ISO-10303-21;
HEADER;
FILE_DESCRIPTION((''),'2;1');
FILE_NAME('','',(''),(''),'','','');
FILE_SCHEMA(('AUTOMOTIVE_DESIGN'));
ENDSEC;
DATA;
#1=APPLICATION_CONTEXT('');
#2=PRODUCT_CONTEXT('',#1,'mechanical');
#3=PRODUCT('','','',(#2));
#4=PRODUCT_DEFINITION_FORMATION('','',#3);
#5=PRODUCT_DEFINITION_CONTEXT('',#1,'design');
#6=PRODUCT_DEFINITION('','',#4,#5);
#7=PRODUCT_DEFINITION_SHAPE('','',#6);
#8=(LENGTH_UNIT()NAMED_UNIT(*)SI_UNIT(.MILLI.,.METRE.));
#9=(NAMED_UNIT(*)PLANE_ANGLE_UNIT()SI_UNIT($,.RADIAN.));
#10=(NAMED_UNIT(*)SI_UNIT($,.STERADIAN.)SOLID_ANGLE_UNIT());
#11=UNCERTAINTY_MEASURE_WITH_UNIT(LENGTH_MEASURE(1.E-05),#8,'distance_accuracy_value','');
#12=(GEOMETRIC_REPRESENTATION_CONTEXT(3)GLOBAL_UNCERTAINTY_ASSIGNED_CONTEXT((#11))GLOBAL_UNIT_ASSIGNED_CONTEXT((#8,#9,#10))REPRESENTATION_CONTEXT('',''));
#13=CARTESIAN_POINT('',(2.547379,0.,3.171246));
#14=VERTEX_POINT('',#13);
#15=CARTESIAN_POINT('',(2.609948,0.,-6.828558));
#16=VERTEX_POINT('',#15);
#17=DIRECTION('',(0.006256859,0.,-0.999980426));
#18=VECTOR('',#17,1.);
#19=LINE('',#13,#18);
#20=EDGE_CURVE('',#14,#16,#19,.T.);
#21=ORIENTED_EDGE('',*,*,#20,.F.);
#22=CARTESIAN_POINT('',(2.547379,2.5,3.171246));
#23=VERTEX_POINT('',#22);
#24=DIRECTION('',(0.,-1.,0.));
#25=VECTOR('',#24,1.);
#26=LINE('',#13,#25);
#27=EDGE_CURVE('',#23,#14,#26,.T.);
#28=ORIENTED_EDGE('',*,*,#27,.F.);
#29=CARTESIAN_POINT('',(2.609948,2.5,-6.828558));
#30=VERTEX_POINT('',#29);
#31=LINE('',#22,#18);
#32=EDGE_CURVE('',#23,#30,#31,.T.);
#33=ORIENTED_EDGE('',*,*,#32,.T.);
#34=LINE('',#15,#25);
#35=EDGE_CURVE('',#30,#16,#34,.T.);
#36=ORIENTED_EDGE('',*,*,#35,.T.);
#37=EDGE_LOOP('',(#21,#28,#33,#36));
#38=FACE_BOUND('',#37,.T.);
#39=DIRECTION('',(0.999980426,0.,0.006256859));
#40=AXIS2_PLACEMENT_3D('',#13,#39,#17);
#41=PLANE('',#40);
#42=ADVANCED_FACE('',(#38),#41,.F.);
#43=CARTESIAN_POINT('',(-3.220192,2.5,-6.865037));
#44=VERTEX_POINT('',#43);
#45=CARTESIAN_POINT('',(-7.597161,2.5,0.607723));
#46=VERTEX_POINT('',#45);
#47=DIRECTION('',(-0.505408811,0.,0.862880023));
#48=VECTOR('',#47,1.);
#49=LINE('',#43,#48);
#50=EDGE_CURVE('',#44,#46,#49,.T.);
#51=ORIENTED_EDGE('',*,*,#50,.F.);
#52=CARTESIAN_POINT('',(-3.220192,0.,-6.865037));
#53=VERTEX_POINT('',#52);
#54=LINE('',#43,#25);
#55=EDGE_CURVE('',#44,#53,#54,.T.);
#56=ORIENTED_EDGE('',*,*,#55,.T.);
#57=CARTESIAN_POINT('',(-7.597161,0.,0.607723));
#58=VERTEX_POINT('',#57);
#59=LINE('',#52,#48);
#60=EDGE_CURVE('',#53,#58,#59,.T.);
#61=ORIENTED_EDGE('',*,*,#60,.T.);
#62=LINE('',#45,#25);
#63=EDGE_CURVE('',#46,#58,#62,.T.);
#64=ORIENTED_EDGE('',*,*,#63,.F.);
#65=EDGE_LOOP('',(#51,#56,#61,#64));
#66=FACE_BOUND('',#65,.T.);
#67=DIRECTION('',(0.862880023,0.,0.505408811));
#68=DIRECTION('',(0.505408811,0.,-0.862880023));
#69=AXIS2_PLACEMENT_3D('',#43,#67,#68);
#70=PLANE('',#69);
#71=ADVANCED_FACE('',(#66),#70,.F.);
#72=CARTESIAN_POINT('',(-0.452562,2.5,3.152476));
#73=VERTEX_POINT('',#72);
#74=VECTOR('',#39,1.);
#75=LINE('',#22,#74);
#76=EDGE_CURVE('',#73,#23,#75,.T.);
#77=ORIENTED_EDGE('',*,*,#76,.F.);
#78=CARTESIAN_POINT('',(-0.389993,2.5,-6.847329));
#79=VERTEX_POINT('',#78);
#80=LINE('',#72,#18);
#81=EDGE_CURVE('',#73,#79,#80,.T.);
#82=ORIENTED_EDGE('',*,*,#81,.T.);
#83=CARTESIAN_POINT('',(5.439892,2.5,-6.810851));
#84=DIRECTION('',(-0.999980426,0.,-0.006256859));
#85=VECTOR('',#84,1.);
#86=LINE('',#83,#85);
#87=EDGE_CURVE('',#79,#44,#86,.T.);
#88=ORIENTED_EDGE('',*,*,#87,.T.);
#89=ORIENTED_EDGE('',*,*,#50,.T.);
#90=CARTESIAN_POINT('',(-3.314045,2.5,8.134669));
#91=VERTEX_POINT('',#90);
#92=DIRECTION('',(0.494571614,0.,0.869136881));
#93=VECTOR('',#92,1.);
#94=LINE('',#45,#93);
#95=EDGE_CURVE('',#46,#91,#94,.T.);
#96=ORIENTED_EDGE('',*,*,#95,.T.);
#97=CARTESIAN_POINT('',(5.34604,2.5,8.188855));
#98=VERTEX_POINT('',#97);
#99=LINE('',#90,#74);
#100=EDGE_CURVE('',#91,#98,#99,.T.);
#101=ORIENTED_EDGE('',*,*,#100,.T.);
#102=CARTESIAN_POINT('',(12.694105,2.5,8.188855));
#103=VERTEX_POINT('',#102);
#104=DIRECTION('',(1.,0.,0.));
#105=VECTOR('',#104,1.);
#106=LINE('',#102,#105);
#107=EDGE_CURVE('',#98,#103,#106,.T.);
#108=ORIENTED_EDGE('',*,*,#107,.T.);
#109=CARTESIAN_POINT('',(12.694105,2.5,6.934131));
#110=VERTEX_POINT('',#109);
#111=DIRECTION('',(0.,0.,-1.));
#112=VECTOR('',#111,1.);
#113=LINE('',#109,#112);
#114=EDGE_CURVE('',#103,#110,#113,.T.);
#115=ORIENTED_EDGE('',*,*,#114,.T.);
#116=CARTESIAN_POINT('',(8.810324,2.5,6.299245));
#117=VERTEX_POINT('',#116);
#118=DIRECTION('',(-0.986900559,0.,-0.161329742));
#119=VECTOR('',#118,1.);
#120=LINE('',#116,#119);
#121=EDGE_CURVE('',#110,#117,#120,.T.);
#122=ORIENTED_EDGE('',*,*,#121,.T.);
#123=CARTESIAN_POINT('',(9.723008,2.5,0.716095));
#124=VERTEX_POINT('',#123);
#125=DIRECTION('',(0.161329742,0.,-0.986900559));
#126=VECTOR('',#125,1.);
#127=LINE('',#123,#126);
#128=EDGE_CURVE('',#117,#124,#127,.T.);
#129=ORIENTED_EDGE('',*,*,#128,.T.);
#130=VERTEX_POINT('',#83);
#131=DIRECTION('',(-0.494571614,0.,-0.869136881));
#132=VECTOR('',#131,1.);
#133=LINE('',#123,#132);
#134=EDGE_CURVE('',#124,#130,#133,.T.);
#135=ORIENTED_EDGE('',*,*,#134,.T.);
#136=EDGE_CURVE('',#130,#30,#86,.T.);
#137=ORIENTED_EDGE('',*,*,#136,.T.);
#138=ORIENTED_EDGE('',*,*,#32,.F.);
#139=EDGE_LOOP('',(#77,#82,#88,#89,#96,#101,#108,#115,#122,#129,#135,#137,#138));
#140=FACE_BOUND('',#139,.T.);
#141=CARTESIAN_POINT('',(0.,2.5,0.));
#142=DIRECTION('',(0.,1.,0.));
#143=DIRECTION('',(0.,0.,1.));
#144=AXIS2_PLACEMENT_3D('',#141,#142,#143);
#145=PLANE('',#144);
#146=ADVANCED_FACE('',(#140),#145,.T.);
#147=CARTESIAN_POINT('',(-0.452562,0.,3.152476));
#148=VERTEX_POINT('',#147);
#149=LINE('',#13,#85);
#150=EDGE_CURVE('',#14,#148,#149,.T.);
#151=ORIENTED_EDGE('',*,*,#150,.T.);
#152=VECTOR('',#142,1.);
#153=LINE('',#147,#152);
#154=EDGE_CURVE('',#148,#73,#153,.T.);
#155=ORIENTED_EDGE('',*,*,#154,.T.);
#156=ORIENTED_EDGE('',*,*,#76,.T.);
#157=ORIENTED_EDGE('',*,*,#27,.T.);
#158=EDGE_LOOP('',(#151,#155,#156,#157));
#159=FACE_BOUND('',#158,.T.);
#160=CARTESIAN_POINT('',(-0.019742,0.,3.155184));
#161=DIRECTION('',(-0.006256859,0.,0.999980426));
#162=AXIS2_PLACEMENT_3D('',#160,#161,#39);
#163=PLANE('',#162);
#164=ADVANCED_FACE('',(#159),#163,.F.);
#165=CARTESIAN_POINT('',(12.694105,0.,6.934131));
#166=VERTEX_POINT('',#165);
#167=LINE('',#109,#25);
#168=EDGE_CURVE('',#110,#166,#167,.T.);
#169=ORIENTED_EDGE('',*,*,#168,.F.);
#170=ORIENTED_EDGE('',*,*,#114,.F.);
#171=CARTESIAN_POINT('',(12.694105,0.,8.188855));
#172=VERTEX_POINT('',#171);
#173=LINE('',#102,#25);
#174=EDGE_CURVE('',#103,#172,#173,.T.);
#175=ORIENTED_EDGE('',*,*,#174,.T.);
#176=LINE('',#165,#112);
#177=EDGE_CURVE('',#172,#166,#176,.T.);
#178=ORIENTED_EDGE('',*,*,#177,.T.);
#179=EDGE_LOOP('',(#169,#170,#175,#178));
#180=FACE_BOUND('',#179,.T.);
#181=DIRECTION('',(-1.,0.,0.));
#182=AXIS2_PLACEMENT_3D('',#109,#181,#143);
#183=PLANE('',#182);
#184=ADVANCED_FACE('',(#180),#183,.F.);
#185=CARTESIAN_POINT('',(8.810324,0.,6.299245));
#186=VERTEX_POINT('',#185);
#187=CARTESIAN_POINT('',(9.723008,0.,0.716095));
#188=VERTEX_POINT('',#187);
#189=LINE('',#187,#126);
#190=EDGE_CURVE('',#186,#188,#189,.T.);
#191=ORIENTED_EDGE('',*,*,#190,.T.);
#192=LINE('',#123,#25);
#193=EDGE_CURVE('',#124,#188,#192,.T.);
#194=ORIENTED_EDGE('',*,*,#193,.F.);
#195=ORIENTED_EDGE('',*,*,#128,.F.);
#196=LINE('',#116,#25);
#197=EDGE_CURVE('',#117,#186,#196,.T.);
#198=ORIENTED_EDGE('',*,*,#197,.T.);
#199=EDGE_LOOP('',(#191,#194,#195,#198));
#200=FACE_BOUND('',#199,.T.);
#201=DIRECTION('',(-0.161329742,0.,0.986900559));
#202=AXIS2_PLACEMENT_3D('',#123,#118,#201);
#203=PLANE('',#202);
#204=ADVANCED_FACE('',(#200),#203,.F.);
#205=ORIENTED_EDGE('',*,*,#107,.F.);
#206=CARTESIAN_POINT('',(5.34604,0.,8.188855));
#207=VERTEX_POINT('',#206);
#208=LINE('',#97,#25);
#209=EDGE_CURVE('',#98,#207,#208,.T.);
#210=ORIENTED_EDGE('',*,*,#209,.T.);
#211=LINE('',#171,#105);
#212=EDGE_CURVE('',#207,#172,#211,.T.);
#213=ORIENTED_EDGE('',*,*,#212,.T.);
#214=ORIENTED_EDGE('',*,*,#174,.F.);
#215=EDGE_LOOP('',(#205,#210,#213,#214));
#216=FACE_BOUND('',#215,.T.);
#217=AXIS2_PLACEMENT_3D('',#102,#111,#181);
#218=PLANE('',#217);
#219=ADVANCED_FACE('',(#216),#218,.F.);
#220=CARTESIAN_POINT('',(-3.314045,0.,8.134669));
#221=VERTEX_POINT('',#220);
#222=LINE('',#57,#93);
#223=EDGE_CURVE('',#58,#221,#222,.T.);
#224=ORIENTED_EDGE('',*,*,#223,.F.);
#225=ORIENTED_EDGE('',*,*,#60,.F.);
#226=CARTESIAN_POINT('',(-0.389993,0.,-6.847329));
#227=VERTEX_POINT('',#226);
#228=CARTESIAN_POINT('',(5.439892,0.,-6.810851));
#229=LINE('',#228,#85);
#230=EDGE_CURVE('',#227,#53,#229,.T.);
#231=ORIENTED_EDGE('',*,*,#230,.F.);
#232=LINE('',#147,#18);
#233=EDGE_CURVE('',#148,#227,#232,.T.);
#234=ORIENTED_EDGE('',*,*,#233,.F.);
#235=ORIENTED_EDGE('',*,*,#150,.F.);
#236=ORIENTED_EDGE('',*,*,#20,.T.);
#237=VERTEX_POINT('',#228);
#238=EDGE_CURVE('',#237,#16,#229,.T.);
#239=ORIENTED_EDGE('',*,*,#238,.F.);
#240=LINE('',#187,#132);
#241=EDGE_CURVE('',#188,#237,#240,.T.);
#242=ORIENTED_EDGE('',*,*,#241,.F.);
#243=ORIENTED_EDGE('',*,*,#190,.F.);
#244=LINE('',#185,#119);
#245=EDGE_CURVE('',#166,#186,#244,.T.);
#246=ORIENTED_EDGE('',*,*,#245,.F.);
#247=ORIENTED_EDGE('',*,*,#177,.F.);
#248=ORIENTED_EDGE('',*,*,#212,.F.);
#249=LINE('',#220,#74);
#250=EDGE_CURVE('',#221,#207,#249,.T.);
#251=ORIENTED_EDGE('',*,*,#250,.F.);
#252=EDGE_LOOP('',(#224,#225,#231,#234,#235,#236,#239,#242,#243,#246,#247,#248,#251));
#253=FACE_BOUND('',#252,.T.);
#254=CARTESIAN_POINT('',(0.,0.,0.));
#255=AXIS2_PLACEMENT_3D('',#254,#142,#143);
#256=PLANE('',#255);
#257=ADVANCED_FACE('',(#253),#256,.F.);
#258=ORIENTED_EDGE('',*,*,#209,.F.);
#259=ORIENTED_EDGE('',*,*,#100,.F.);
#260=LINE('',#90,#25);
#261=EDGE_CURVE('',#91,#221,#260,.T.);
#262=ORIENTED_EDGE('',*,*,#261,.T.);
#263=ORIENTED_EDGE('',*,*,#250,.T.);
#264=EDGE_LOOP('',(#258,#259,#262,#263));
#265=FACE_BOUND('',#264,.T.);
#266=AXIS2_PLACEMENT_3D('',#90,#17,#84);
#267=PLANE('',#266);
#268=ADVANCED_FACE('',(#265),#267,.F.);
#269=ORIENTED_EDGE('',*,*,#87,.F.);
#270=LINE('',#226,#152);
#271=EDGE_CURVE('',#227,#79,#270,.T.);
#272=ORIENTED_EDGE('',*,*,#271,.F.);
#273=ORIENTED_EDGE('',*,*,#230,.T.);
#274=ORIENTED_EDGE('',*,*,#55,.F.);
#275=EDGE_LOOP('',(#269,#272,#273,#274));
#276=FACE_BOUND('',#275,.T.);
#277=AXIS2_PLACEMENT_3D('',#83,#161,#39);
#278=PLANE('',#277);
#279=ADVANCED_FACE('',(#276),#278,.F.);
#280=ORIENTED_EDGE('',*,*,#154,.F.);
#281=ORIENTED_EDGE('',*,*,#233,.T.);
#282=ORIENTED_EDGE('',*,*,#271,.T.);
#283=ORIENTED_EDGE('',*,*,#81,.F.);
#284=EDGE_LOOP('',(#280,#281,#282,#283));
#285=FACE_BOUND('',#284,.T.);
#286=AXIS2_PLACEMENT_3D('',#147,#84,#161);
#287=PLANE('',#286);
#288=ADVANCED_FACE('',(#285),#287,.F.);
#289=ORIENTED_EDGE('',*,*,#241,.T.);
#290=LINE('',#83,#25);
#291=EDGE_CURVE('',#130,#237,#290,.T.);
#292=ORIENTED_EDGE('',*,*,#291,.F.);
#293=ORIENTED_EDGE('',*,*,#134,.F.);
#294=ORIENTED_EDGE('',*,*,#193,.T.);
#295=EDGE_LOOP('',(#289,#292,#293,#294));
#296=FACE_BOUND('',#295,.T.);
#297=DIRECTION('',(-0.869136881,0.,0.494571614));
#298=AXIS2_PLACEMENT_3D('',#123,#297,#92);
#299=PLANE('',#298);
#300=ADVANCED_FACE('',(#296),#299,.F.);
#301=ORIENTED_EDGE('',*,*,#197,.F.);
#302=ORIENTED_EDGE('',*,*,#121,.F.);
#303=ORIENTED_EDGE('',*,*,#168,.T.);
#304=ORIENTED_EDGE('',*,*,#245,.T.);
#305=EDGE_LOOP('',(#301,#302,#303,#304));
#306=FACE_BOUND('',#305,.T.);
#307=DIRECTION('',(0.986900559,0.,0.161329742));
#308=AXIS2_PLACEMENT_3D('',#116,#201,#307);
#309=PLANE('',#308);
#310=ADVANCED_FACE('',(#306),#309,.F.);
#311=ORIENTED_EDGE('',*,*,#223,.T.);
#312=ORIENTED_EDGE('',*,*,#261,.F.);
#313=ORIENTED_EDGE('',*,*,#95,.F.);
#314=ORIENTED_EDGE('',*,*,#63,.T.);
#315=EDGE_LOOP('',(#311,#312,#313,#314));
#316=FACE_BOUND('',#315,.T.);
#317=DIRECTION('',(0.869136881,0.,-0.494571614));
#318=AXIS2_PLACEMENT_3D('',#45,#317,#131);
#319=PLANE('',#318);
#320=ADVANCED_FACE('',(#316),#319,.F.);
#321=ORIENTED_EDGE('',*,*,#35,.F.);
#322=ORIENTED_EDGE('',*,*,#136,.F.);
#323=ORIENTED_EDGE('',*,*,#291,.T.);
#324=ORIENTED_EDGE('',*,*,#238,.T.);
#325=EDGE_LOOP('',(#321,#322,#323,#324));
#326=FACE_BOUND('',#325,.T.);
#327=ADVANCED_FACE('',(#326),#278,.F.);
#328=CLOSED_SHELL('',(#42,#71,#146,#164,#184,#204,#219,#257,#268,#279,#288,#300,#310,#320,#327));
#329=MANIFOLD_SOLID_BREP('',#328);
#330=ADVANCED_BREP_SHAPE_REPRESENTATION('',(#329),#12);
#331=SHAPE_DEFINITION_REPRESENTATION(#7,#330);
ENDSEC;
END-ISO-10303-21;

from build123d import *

# Parameters (mm, degrees)
BOSS_EXTRUDE1_DEPTH = 2.5
SKETCH2_W           = 3
SKETCH2_H           = 2.5
CUT_EXTRUDE1_DEPTH  = 10


with BuildPart() as part:
    # Sketch1 → Boss-Extrude1 (new body)
    with BuildSketch(Plane(origin=(0, 0, 0), x_dir=(1, 0, 0), z_dir=(0, 1, 0))):
        Polygon((12.694105225, -6.934131302), (12.694105225, -8.188855223), (5.34603962, -8.188855223), (-3.3140449, -8.134669239), (-7.59716072, -0.607723054), (-3.220192022, 6.865037146), (5.439892498, 6.810851162), (9.723008318, -0.716095023), (8.810324475, -6.299245302), align=None)
    extrude(amount=BOSS_EXTRUDE1_DEPTH)

    # Sketch2 → Cut-Extrude1 (cut)
    with BuildSketch(Plane(origin=(0.04282666, 0, -6.8446205), x_dir=(-0.999980426, 0, -0.006256859), z_dir=(0.006256859, 0, -0.999980426))):
        with Locations((-1.067171483, 1.25)):
            Rectangle(SKETCH2_W, SKETCH2_H)
    extrude(amount=-CUT_EXTRUDE1_DEPTH, mode=Mode.SUBTRACT)


solid = part.part
